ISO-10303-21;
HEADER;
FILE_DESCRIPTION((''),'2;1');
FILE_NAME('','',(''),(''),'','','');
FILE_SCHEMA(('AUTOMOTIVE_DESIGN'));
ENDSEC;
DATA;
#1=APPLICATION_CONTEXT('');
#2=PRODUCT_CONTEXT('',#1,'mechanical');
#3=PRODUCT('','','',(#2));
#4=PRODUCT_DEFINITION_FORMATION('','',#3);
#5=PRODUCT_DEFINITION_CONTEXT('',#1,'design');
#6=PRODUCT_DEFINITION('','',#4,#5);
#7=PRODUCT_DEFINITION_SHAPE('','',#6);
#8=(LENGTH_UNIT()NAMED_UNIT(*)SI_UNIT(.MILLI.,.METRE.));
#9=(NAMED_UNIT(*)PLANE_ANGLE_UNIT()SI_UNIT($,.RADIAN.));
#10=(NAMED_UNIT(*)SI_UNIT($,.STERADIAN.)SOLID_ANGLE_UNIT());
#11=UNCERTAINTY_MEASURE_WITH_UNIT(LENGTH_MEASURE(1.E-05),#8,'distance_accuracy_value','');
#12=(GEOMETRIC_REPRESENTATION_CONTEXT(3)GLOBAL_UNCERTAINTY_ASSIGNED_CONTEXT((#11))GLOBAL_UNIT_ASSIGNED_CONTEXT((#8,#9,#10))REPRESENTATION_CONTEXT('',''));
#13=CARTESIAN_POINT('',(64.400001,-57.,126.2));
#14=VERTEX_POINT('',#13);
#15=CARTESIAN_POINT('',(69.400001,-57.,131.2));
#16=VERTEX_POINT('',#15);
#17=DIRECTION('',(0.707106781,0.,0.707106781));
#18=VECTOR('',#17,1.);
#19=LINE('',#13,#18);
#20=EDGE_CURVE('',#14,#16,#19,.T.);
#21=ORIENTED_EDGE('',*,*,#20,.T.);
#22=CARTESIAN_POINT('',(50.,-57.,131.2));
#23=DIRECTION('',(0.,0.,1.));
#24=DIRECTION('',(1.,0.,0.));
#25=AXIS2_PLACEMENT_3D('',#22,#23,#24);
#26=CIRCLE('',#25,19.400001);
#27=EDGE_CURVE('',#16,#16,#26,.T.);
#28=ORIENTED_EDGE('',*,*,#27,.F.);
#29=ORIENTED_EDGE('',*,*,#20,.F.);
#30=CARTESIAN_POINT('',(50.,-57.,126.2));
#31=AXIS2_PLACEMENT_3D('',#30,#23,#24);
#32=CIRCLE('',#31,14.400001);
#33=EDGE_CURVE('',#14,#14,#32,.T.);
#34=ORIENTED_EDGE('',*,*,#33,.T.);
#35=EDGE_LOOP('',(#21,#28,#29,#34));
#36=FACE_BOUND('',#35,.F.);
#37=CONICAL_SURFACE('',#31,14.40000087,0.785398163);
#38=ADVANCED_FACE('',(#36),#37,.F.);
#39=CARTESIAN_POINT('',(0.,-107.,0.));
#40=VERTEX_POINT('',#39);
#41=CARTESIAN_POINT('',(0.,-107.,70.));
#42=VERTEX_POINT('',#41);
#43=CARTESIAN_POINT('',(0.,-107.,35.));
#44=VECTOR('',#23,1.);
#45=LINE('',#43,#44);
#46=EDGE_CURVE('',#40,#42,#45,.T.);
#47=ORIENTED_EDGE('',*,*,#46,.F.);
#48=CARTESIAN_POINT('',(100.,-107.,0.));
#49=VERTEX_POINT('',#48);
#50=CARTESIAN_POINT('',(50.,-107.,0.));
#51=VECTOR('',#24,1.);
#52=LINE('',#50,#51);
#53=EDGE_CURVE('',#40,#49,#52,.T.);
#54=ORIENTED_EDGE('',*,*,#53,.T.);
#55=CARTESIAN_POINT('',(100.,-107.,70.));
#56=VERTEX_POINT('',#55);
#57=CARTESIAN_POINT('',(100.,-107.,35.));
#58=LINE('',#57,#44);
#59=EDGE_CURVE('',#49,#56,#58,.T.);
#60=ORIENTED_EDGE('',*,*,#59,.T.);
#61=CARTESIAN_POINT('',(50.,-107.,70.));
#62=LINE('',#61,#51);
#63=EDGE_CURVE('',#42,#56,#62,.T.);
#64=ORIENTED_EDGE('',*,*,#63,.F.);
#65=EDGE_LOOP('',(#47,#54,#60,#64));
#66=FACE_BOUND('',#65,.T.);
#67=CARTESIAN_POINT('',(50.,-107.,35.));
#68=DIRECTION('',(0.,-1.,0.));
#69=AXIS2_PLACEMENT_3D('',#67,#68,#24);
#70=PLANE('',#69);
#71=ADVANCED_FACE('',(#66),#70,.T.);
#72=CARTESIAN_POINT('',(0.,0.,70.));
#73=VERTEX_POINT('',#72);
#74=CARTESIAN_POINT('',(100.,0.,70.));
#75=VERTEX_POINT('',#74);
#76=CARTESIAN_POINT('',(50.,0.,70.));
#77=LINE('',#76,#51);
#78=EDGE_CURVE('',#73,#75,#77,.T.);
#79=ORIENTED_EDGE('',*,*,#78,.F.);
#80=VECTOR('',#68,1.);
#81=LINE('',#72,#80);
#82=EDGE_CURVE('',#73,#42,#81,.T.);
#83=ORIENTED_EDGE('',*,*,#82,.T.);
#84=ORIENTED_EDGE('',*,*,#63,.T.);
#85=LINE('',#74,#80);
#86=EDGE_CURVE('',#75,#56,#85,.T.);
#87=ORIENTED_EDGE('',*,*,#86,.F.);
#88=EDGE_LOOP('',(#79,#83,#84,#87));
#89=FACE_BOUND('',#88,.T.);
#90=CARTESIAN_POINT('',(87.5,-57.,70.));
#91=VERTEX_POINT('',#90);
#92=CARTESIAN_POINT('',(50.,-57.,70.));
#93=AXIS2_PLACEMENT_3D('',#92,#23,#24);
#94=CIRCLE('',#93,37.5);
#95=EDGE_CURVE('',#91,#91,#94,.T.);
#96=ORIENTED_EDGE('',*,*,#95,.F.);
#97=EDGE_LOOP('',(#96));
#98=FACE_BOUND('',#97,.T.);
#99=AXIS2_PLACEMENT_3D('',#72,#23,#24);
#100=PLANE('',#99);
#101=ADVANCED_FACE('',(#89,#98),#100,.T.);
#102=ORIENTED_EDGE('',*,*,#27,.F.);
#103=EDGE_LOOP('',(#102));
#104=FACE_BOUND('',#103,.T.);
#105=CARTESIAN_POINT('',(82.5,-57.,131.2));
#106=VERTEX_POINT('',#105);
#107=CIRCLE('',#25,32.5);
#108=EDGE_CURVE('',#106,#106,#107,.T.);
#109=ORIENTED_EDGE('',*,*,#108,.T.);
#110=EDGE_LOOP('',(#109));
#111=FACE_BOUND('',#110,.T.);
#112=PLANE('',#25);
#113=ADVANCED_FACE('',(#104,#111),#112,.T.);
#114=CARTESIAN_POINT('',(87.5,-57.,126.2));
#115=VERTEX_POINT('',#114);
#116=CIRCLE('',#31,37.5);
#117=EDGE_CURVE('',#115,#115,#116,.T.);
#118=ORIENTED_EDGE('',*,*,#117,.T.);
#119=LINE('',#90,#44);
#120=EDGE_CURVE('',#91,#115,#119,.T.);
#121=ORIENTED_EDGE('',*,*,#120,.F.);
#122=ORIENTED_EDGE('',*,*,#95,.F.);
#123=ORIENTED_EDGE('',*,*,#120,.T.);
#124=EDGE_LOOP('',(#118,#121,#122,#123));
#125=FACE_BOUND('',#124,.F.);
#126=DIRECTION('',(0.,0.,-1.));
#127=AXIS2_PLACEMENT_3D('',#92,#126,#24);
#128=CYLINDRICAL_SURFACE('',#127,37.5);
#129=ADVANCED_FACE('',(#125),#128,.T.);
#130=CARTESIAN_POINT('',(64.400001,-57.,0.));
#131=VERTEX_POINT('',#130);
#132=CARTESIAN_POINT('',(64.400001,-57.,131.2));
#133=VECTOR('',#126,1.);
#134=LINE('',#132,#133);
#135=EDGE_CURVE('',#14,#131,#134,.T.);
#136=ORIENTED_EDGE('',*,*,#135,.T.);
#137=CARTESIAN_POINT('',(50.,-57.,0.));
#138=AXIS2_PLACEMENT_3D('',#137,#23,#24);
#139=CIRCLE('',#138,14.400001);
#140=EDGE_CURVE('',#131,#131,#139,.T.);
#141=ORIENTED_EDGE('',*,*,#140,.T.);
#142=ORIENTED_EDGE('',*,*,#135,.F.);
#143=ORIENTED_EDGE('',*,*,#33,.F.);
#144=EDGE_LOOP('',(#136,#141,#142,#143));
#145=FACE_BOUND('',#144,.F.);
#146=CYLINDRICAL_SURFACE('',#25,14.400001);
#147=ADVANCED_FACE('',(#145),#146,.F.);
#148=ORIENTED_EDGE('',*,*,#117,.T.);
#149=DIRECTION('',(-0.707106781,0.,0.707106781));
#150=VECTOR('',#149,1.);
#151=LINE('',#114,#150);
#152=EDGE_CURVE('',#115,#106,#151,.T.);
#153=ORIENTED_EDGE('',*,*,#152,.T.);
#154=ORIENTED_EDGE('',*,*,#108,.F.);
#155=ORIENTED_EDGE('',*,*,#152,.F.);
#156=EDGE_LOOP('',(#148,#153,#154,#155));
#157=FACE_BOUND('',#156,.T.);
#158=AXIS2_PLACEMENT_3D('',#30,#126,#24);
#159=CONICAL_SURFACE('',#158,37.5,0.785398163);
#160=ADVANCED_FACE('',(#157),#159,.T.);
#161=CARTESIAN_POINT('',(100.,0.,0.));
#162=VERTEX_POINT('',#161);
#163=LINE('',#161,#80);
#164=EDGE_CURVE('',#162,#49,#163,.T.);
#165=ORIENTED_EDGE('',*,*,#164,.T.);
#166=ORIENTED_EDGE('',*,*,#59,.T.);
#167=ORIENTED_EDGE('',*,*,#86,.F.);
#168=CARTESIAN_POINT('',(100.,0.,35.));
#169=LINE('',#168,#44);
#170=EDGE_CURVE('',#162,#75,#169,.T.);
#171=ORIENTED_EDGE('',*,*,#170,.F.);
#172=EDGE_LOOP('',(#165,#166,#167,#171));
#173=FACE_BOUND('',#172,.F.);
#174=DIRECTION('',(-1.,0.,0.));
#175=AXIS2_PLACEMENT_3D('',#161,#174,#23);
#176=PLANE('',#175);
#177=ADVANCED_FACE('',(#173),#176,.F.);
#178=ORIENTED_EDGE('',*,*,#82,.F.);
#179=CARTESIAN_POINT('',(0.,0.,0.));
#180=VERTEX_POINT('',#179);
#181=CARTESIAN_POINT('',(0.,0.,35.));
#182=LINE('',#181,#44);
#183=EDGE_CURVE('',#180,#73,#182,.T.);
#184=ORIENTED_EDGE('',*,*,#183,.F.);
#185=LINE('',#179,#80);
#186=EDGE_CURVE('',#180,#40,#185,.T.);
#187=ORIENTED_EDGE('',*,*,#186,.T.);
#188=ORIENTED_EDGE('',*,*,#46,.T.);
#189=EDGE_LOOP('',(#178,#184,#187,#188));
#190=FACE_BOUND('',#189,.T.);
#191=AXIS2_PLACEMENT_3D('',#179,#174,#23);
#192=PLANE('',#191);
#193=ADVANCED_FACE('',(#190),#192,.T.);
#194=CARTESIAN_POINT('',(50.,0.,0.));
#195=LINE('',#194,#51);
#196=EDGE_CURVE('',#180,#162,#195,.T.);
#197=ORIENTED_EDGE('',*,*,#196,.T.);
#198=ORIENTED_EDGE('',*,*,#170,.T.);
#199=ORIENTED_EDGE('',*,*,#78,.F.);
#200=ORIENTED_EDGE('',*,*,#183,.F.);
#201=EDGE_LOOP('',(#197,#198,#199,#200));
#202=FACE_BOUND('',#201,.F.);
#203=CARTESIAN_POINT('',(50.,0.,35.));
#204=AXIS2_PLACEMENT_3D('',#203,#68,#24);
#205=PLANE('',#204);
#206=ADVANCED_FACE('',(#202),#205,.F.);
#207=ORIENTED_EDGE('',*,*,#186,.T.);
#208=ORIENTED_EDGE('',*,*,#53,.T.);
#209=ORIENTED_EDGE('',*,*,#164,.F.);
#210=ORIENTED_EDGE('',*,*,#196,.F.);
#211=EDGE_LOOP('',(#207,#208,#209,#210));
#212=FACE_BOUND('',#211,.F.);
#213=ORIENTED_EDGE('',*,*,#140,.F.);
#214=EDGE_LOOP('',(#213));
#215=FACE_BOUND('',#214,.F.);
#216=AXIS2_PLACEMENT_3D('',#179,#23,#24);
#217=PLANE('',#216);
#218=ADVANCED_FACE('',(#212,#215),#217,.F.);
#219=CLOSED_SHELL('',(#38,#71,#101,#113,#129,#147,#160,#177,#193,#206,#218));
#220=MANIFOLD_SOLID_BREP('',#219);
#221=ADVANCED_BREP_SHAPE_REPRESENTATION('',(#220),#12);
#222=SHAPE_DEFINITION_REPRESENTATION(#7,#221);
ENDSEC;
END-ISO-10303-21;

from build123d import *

# Parameters (mm, degrees)
F0_W     = 100
F0_H     = 70
F1_DEPTH = 107
F2_R     = 37.5
F3_DEPTH = 61.2
F4_R     = 14.4000008702
F5_DEPTH = 131.201
F6_SIZE  = 5


with BuildPart() as f1:
    # F0 (on Front) → F1 (new body)
    with BuildSketch(Plane.XZ):
        with Locations((50, 35)):
            Rectangle(F0_W, F0_H)
    extrude(amount=F1_DEPTH)

    # F2 (on face) → F3 (join)
    with BuildSketch(Plane.XY.offset(70)):
        with Locations((50, -57)):
            Circle(F2_R)
    extrude(amount=F3_DEPTH)

    # F4 (on face) → F5 (cut, through all)
    with BuildSketch(Plane.XY.offset(131.2)):
        with Locations((50, -57)):
            Circle(F4_R)
    extrude(amount=-F5_DEPTH, mode=Mode.SUBTRACT)

    # F6
    f6_edges = [f1.edges().sort_by_distance(p)[0] for p in [
        (12.5, -57, 131.2),
        (35.599999, -57, 131.2),
    ]]
    chamfer(f6_edges, length=F6_SIZE)


solid = f1.part
